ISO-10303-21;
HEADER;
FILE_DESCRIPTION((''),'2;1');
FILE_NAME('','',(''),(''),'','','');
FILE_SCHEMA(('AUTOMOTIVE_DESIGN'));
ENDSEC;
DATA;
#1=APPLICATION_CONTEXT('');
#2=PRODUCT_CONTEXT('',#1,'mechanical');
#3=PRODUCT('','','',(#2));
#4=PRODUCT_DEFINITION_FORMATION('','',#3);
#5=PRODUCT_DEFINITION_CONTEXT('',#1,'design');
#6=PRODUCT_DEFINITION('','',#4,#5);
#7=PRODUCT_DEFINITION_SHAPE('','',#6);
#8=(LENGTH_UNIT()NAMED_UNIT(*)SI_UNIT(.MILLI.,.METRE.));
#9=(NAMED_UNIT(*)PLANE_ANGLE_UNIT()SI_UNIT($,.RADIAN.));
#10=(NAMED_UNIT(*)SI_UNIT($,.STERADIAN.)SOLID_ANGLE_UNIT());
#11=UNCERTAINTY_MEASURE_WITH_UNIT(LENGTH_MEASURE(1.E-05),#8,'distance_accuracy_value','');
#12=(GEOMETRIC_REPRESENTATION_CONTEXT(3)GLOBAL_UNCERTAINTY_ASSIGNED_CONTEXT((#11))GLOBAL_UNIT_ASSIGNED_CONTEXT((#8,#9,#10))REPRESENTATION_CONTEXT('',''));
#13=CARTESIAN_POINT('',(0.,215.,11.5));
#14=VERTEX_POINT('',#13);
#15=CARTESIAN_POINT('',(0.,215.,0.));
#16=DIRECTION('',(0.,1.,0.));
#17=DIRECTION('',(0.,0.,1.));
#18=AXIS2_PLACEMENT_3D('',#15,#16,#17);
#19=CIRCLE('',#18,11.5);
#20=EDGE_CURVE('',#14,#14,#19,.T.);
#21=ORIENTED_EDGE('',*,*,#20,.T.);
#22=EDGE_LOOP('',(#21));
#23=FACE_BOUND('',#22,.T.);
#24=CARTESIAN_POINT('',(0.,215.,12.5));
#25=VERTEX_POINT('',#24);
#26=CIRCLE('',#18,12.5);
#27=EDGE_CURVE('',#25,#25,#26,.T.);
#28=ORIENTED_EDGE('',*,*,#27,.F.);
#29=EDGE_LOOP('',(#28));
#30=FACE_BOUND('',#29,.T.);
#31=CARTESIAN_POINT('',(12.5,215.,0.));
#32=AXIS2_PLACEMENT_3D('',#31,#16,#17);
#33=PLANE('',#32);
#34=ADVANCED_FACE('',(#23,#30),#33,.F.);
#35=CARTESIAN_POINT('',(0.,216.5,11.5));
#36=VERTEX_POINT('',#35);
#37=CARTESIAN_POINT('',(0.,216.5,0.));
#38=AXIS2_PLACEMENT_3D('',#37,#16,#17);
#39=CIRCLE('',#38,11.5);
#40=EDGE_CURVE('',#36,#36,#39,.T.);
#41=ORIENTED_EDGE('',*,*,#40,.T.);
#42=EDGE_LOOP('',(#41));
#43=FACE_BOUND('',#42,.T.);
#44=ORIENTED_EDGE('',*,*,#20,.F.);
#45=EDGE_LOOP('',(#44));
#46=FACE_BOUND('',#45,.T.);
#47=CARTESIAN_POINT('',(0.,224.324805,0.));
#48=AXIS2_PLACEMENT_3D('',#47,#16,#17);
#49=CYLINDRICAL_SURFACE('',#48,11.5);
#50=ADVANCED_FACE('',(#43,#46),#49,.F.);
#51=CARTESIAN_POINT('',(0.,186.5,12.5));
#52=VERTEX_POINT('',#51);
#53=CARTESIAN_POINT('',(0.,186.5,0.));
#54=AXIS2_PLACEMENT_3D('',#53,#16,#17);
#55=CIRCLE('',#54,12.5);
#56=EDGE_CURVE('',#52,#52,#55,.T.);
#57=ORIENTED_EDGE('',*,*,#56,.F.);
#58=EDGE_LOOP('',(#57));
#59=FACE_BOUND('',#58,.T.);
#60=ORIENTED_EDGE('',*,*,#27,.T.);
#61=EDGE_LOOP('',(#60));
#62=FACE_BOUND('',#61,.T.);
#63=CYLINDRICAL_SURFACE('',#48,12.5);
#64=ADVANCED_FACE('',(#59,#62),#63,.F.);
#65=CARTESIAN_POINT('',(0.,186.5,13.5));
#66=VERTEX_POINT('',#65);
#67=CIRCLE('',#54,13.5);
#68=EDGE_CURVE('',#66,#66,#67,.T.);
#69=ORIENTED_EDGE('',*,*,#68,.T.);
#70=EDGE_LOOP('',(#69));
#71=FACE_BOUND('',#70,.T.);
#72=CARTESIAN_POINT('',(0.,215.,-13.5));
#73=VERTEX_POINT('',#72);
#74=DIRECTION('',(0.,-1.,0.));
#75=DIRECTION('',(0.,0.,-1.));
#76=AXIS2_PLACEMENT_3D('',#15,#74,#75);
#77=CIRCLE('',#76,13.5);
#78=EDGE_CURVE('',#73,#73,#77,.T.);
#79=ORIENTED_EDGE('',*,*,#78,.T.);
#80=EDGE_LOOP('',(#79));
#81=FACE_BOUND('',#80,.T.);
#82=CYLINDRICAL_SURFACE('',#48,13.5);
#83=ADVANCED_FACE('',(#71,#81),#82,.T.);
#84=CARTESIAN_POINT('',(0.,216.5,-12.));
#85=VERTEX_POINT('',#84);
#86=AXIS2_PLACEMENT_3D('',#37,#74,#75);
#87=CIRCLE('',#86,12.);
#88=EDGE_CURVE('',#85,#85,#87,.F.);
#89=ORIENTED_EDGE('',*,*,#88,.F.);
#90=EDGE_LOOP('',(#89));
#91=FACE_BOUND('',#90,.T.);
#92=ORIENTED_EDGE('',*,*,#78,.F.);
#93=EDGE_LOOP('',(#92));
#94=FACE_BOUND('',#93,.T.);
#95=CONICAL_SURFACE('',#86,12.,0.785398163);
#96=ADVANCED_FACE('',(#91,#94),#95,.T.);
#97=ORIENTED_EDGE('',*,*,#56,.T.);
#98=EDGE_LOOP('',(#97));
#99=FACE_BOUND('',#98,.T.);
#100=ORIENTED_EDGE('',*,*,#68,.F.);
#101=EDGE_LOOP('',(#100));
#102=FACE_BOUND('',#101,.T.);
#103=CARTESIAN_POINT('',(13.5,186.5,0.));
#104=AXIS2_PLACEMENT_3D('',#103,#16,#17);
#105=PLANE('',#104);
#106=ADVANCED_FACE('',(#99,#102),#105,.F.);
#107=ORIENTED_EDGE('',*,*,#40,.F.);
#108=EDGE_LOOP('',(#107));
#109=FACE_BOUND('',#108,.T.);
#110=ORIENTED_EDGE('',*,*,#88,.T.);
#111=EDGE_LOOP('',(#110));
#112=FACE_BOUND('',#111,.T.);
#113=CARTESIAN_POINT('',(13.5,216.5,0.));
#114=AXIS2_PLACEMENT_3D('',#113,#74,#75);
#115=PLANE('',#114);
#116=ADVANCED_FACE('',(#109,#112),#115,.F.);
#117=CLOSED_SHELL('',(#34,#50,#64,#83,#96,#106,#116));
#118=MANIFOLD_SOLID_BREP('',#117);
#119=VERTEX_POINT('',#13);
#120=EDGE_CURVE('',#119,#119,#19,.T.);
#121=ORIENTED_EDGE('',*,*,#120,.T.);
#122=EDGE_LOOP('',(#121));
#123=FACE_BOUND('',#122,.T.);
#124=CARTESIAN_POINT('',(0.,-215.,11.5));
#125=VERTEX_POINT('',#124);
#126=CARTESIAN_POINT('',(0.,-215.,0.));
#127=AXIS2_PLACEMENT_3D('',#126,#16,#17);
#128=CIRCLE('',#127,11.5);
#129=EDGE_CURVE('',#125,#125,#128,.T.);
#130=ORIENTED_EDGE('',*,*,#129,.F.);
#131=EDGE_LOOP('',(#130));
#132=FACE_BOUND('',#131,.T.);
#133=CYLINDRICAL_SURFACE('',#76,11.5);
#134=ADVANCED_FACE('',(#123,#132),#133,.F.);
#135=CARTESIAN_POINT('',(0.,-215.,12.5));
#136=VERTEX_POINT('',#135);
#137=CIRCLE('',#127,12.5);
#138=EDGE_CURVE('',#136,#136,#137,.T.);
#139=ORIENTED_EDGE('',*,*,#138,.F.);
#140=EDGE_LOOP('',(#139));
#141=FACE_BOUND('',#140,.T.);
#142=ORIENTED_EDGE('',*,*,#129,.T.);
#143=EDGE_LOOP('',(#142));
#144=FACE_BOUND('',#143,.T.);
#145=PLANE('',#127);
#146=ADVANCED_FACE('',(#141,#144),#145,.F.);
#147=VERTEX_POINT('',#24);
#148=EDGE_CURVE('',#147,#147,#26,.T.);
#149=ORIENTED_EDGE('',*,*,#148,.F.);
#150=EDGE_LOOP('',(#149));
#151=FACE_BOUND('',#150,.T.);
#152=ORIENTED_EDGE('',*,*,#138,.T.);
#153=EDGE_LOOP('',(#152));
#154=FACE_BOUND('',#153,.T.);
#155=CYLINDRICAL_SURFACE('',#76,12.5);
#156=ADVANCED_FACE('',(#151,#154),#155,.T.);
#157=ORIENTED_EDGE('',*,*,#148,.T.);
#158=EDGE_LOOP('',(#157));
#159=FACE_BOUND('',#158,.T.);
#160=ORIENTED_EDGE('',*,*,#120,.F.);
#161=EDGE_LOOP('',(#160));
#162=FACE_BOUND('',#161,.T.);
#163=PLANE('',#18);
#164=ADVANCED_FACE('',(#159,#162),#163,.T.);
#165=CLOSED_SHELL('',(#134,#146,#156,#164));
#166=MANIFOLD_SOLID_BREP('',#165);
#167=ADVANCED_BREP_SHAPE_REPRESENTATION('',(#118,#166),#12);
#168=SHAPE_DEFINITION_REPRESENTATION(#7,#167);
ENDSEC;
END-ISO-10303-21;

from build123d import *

# Parameters (mm, degrees)
SKETCH1_R      = 12.5
SKETCH1_R_2    = 11.5
EXTRUDE1_DEPTH = 215
CHAMFER1_SIZE  = 1.5


with BuildPart() as part:
    # Sketch1 → Extrude1 (new body, symmetric)
    with BuildSketch(Plane(origin=(0, 0, 0), x_dir=(1, 0, 0), z_dir=(0, 1, 0))):
        Circle(SKETCH1_R)
        Circle(SKETCH1_R_2, mode=Mode.SUBTRACT)
    extrude(amount=EXTRUDE1_DEPTH, both=True)


with BuildPart() as body_2:
    # Sketch2 → Revolve1 (revolve)
    with BuildSketch(Plane.XY):
        Polygon((13.5, 216.5), (13.5, 186.5), (12.5, 186.5), (12.5, 215), (11.5, 215), (11.5, 216.5), align=None)
    revolve(axis=Axis((0, 224.324804611, 0), (0, -1, 0)))

    # Chamfer1
    chamfer1_edges = [body_2.edges().sort_by_distance(p)[0] for p in [
        (-13.5, 216.5, 0),
    ]]
    chamfer(chamfer1_edges, length=CHAMFER1_SIZE)


solid = Compound([part.part, body_2.part])
